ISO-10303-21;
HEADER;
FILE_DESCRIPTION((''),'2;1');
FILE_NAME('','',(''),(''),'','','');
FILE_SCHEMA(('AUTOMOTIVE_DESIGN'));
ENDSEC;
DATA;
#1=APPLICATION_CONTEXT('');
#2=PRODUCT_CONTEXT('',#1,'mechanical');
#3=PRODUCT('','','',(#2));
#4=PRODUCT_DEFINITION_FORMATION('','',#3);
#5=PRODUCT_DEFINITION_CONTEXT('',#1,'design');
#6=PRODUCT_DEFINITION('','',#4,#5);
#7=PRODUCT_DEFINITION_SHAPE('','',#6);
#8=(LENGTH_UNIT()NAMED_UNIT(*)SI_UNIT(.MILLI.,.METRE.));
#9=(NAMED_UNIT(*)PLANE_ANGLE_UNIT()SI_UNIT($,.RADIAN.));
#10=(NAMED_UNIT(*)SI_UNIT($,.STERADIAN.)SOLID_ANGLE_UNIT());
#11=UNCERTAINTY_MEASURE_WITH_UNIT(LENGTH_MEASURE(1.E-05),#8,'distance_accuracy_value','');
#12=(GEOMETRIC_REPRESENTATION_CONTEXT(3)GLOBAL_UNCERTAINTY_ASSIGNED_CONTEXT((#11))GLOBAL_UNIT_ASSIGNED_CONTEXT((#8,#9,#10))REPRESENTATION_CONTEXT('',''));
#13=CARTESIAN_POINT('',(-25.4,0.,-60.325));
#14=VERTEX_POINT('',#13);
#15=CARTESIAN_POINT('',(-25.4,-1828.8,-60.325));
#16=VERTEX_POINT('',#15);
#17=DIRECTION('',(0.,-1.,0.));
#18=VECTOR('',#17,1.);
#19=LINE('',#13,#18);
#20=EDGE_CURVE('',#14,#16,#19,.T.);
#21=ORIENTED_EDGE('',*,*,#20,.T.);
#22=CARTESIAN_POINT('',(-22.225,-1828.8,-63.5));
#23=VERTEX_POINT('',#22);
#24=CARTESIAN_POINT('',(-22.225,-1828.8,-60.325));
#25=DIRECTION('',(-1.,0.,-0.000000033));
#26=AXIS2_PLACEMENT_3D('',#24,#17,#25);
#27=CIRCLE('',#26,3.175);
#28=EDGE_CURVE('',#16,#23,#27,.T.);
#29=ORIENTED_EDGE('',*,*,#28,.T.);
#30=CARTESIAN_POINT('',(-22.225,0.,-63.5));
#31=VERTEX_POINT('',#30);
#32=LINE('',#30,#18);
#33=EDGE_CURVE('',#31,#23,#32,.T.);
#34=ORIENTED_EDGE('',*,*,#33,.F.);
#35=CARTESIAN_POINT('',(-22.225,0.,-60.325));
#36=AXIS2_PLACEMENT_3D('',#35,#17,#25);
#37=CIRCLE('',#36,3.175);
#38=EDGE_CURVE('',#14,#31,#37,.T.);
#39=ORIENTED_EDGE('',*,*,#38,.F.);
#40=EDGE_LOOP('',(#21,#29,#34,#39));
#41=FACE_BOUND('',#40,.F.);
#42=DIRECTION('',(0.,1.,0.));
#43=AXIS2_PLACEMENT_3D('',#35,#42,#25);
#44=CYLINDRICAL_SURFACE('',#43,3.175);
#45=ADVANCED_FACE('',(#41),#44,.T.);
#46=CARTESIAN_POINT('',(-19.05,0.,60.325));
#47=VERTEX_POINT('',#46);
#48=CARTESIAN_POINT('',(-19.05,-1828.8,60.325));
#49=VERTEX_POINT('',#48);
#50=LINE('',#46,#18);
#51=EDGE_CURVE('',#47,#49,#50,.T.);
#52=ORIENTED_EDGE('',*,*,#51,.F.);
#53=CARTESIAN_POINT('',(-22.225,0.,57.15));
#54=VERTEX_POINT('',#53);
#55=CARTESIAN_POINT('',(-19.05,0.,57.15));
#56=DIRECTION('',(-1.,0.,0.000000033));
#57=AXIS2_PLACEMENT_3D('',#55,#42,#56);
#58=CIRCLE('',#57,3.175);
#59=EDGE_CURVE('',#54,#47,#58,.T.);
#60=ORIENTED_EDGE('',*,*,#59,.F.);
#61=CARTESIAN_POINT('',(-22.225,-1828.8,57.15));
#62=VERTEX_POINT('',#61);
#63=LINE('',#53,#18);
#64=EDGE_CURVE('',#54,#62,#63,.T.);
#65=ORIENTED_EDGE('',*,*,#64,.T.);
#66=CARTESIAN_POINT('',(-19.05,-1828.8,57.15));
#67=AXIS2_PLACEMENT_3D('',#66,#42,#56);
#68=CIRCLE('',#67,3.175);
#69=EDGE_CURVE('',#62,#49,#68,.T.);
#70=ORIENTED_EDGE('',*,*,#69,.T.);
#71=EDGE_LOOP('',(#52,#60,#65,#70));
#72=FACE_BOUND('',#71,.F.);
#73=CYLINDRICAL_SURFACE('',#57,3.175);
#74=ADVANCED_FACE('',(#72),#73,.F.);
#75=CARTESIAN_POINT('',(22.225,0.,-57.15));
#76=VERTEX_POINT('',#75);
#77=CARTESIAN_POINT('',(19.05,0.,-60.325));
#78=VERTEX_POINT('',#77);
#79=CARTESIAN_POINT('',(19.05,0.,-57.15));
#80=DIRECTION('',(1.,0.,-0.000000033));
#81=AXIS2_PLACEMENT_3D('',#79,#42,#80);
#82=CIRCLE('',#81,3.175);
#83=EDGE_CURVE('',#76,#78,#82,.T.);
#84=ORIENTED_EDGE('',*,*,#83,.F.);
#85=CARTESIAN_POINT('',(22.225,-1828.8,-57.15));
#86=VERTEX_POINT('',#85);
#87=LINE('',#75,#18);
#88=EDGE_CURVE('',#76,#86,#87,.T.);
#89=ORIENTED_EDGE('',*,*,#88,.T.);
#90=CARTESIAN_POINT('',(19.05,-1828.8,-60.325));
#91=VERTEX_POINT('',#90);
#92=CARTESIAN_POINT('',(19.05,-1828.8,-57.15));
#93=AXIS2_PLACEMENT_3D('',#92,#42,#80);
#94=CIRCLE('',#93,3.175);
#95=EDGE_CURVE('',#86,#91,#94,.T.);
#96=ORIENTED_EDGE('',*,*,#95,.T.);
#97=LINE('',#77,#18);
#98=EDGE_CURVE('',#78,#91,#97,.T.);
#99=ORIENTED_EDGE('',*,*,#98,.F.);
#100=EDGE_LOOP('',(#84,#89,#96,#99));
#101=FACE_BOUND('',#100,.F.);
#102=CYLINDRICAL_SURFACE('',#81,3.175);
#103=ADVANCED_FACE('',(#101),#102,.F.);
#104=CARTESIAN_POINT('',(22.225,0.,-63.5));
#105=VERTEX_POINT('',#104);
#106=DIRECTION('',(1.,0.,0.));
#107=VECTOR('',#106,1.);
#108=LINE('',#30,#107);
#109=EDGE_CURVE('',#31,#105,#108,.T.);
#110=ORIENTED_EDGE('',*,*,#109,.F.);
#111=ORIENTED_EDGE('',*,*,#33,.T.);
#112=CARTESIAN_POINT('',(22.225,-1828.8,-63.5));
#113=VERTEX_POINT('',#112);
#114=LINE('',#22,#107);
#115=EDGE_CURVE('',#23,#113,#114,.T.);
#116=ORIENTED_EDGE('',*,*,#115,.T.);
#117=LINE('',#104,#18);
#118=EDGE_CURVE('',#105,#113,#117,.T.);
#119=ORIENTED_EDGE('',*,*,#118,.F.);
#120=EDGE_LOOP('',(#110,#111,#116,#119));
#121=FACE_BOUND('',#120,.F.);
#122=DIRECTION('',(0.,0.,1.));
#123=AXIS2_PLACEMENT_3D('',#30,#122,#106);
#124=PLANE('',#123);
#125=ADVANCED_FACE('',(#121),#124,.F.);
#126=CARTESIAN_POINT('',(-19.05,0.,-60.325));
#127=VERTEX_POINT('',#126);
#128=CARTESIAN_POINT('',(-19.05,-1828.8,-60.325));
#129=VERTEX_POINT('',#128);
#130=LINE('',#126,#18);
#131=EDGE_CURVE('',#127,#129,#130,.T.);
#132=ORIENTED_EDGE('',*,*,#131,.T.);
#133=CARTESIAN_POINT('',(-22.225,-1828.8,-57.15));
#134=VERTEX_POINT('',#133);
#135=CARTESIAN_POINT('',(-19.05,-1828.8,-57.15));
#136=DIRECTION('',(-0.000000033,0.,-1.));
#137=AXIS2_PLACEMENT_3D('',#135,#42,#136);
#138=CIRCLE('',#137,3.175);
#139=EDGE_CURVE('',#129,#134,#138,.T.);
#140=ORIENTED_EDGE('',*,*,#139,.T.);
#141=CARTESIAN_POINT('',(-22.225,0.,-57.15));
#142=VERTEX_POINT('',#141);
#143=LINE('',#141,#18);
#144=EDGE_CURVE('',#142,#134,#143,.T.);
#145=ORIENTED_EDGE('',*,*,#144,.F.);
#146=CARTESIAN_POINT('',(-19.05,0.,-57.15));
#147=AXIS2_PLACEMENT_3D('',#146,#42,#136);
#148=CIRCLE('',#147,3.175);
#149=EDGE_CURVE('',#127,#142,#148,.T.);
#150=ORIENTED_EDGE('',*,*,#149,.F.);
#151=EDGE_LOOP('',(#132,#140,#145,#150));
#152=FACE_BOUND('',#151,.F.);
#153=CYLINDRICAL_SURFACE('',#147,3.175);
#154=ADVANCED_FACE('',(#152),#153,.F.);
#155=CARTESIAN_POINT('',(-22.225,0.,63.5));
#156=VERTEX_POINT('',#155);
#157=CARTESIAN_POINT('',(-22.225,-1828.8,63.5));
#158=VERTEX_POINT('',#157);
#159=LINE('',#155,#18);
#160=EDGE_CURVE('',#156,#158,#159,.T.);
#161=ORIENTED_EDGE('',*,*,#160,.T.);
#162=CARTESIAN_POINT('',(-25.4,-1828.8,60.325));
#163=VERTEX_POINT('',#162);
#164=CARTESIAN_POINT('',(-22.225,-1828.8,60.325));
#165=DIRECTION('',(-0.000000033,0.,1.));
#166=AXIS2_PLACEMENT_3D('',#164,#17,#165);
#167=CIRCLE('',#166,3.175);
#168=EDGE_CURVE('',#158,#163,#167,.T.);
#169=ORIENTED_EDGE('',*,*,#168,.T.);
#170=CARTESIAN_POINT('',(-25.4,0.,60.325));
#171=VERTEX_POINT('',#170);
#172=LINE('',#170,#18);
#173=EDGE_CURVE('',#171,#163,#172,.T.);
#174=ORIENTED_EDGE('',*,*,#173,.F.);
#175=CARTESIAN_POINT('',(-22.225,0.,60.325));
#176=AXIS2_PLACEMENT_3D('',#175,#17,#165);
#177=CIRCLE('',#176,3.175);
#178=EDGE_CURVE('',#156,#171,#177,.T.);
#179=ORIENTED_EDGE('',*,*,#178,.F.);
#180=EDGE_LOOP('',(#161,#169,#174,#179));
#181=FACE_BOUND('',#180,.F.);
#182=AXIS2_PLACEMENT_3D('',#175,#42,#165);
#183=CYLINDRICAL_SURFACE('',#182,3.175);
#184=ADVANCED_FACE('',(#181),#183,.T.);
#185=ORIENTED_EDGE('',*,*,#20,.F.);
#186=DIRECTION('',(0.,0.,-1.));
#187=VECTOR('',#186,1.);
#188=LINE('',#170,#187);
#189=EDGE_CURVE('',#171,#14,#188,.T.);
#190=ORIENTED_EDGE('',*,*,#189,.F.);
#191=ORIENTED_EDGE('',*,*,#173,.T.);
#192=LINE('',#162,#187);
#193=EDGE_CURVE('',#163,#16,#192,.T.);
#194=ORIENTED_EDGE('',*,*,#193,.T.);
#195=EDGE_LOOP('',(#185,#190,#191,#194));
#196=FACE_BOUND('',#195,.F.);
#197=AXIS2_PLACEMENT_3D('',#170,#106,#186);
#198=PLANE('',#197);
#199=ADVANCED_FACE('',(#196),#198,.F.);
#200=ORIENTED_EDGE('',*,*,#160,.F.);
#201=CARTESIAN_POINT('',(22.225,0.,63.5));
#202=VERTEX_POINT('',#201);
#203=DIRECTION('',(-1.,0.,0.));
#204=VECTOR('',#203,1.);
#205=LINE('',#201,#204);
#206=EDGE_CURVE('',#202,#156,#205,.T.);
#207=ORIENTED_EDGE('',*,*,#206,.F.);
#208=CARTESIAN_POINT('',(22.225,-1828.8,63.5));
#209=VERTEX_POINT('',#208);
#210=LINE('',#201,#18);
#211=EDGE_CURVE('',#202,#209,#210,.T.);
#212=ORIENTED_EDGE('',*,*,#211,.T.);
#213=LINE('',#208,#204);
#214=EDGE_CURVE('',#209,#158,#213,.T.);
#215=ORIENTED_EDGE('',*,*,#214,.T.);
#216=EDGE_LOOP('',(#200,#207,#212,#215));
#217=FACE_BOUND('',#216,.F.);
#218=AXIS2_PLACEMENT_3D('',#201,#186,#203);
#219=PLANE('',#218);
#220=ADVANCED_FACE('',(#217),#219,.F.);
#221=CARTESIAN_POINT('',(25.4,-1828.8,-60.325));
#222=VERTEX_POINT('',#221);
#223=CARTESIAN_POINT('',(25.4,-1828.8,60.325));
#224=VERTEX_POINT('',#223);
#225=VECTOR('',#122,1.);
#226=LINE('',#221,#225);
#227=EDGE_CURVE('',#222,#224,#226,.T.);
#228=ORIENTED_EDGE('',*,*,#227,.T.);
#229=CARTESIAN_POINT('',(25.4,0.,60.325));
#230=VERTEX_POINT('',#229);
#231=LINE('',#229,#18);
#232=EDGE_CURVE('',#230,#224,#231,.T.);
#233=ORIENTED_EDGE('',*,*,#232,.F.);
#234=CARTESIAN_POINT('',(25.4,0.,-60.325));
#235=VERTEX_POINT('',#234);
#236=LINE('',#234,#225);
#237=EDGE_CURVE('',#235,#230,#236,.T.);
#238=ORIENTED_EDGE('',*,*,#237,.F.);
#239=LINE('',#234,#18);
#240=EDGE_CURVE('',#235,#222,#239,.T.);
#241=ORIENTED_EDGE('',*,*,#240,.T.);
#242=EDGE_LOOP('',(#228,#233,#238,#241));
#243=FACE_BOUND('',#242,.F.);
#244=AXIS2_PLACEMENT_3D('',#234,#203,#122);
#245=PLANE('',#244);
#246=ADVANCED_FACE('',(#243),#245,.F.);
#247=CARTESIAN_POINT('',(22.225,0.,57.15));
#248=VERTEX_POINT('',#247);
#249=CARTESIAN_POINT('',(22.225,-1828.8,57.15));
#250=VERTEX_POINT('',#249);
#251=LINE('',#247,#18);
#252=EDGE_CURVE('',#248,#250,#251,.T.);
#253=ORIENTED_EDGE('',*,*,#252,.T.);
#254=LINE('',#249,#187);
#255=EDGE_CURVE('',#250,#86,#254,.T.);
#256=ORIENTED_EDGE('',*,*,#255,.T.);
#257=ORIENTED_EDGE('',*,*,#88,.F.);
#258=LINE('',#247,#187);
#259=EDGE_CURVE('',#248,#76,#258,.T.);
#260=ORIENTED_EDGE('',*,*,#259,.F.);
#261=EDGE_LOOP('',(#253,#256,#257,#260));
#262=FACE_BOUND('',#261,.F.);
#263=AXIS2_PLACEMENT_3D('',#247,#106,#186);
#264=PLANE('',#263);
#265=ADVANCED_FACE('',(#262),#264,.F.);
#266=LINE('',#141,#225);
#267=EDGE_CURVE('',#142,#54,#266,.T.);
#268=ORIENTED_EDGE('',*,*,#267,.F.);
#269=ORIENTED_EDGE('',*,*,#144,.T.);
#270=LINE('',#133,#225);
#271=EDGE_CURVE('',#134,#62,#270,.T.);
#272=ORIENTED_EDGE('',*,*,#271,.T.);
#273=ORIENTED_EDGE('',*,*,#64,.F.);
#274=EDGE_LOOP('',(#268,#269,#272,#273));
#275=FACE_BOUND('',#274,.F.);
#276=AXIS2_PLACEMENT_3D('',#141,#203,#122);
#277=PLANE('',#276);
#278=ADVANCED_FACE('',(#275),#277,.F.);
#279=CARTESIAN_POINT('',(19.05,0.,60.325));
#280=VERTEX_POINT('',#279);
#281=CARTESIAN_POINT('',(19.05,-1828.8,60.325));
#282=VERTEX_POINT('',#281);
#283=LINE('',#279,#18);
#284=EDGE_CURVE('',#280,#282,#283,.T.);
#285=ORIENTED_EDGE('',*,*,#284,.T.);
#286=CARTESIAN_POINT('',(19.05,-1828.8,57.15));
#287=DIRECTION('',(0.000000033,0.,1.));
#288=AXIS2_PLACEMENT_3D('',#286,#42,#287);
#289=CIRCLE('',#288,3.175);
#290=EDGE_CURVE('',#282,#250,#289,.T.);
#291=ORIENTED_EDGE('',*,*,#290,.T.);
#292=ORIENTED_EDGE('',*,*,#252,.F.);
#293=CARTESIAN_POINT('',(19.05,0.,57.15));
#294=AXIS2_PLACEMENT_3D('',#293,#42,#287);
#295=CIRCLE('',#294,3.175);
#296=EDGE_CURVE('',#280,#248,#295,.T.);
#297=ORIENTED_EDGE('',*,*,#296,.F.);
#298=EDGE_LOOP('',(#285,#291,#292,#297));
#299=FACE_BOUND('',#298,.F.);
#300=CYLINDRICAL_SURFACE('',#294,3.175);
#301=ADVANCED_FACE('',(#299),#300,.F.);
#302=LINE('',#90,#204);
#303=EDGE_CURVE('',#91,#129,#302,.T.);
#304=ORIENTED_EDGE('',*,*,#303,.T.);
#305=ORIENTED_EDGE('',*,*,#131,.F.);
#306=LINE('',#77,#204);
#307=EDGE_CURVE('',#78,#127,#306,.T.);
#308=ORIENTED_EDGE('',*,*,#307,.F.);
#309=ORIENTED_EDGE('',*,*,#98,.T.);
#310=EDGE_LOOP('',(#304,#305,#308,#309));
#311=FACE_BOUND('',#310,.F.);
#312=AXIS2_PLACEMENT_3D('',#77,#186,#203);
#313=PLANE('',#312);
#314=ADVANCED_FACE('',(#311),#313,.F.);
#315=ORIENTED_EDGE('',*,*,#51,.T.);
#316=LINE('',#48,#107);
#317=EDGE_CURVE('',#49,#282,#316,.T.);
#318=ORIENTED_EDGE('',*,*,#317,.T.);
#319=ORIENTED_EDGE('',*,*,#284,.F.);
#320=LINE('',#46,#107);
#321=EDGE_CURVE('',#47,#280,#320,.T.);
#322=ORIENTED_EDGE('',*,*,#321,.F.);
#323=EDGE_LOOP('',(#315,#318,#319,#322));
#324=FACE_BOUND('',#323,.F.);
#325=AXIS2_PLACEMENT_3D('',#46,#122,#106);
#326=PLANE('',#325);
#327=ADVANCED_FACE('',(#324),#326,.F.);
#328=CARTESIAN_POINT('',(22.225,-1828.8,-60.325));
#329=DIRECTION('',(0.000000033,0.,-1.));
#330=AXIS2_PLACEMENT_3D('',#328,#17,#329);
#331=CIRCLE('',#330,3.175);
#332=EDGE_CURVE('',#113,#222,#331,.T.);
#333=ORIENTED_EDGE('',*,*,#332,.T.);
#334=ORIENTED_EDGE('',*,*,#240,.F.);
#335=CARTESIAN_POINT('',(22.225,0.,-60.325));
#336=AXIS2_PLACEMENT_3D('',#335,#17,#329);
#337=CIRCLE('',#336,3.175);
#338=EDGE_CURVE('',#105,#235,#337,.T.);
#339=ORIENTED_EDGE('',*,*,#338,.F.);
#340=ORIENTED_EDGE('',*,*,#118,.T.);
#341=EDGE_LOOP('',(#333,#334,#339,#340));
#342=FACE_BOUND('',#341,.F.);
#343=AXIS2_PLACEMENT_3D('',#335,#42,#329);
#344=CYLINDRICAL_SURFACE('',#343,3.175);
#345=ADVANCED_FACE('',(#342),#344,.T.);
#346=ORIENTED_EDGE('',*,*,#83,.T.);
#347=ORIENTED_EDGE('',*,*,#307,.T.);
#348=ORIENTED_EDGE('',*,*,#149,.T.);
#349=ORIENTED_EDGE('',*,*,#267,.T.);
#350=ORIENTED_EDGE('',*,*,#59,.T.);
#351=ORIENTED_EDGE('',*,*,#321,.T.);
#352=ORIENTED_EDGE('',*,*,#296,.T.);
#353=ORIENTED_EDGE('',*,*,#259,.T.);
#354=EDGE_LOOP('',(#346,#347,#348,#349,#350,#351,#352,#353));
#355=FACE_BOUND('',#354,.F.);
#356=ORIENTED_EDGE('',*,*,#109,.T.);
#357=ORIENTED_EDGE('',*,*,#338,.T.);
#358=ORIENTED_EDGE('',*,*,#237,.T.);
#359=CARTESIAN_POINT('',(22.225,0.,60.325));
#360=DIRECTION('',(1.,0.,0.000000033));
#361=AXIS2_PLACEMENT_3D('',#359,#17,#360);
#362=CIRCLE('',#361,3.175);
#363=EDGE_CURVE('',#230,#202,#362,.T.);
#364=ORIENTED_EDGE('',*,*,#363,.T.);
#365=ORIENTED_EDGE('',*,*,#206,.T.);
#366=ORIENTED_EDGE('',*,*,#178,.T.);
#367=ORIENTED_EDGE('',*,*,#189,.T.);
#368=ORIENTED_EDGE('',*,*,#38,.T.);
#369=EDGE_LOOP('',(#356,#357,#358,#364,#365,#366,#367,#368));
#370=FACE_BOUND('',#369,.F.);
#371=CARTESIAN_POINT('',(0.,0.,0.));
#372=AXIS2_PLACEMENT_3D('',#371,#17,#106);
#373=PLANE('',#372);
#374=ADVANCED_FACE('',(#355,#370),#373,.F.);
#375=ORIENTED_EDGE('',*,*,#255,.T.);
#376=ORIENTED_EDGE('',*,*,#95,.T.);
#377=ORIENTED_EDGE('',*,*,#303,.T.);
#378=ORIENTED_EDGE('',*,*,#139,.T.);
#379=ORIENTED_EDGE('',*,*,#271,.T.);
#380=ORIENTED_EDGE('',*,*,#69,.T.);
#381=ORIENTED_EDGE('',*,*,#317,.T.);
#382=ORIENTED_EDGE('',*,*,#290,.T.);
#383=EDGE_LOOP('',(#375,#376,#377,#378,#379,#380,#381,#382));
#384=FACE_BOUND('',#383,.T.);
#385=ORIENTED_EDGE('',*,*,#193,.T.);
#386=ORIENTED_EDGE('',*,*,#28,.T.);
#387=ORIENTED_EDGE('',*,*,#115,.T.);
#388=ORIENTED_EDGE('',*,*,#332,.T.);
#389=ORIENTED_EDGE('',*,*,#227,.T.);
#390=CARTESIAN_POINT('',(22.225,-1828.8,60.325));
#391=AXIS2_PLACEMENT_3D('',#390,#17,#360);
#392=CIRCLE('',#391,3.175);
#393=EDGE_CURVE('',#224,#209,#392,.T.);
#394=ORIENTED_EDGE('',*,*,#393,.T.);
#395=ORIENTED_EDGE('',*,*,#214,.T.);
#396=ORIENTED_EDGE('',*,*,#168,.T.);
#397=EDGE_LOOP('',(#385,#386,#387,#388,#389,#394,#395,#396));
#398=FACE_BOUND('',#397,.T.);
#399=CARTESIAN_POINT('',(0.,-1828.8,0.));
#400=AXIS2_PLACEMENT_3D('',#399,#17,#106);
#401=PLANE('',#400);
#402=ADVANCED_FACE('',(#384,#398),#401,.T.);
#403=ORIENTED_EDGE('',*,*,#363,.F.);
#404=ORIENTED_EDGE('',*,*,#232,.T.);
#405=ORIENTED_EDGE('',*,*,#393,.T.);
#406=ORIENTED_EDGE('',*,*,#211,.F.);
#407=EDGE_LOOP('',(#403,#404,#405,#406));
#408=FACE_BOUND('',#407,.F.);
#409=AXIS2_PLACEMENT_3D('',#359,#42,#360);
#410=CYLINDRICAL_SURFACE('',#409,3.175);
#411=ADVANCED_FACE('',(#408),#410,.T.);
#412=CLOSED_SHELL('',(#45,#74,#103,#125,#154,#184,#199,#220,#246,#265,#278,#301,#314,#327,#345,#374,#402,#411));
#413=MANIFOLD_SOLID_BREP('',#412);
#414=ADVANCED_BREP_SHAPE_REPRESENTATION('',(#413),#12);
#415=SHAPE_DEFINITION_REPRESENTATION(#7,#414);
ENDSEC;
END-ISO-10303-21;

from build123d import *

# Parameters (mm, degrees)
F1_DEPTH = 1828.8


with BuildPart() as f1:
    # F0 (on Front) → F1 (new body)
    with BuildSketch(Plane.XZ):
        with BuildLine():
            ThreePointArc((25.4, 60.325), (24.470064, 62.570064), (22.225, 63.5))
            Line((22.225, 63.5), (-22.225, 63.5))
            ThreePointArc((-22.225, 63.5), (-24.470064, 62.570064), (-25.4, 60.325))
            Line((-25.4, 60.325), (-25.4, -60.325))
            ThreePointArc((-25.4, -60.325), (-24.470064, -62.570064), (-22.225, -63.5))
            Line((-22.225, -63.5), (22.225, -63.5))
            ThreePointArc((22.225, -63.5), (24.470064, -62.570064), (25.4, -60.325))
            Line((25.4, -60.325), (25.4, 60.325))
        make_face()
        with BuildLine():
            Line((-19.05, 60.325), (19.05, 60.325))
            ThreePointArc((19.05, 60.325), (21.295064, 59.395064), (22.225, 57.15))
            Line((22.225, 57.15), (22.225, -57.15))
            ThreePointArc((22.225, -57.15), (21.295064, -59.395064), (19.05, -60.325))
            Line((19.05, -60.325), (-19.05, -60.325))
            ThreePointArc((-19.05, -60.325), (-21.295064, -59.395064), (-22.225, -57.15))
            Line((-22.225, -57.15), (-22.225, 57.15))
            ThreePointArc((-22.225, 57.15), (-21.295064, 59.395064), (-19.05, 60.325))
        make_face(mode=Mode.SUBTRACT)
    extrude(amount=F1_DEPTH)


solid = f1.part
